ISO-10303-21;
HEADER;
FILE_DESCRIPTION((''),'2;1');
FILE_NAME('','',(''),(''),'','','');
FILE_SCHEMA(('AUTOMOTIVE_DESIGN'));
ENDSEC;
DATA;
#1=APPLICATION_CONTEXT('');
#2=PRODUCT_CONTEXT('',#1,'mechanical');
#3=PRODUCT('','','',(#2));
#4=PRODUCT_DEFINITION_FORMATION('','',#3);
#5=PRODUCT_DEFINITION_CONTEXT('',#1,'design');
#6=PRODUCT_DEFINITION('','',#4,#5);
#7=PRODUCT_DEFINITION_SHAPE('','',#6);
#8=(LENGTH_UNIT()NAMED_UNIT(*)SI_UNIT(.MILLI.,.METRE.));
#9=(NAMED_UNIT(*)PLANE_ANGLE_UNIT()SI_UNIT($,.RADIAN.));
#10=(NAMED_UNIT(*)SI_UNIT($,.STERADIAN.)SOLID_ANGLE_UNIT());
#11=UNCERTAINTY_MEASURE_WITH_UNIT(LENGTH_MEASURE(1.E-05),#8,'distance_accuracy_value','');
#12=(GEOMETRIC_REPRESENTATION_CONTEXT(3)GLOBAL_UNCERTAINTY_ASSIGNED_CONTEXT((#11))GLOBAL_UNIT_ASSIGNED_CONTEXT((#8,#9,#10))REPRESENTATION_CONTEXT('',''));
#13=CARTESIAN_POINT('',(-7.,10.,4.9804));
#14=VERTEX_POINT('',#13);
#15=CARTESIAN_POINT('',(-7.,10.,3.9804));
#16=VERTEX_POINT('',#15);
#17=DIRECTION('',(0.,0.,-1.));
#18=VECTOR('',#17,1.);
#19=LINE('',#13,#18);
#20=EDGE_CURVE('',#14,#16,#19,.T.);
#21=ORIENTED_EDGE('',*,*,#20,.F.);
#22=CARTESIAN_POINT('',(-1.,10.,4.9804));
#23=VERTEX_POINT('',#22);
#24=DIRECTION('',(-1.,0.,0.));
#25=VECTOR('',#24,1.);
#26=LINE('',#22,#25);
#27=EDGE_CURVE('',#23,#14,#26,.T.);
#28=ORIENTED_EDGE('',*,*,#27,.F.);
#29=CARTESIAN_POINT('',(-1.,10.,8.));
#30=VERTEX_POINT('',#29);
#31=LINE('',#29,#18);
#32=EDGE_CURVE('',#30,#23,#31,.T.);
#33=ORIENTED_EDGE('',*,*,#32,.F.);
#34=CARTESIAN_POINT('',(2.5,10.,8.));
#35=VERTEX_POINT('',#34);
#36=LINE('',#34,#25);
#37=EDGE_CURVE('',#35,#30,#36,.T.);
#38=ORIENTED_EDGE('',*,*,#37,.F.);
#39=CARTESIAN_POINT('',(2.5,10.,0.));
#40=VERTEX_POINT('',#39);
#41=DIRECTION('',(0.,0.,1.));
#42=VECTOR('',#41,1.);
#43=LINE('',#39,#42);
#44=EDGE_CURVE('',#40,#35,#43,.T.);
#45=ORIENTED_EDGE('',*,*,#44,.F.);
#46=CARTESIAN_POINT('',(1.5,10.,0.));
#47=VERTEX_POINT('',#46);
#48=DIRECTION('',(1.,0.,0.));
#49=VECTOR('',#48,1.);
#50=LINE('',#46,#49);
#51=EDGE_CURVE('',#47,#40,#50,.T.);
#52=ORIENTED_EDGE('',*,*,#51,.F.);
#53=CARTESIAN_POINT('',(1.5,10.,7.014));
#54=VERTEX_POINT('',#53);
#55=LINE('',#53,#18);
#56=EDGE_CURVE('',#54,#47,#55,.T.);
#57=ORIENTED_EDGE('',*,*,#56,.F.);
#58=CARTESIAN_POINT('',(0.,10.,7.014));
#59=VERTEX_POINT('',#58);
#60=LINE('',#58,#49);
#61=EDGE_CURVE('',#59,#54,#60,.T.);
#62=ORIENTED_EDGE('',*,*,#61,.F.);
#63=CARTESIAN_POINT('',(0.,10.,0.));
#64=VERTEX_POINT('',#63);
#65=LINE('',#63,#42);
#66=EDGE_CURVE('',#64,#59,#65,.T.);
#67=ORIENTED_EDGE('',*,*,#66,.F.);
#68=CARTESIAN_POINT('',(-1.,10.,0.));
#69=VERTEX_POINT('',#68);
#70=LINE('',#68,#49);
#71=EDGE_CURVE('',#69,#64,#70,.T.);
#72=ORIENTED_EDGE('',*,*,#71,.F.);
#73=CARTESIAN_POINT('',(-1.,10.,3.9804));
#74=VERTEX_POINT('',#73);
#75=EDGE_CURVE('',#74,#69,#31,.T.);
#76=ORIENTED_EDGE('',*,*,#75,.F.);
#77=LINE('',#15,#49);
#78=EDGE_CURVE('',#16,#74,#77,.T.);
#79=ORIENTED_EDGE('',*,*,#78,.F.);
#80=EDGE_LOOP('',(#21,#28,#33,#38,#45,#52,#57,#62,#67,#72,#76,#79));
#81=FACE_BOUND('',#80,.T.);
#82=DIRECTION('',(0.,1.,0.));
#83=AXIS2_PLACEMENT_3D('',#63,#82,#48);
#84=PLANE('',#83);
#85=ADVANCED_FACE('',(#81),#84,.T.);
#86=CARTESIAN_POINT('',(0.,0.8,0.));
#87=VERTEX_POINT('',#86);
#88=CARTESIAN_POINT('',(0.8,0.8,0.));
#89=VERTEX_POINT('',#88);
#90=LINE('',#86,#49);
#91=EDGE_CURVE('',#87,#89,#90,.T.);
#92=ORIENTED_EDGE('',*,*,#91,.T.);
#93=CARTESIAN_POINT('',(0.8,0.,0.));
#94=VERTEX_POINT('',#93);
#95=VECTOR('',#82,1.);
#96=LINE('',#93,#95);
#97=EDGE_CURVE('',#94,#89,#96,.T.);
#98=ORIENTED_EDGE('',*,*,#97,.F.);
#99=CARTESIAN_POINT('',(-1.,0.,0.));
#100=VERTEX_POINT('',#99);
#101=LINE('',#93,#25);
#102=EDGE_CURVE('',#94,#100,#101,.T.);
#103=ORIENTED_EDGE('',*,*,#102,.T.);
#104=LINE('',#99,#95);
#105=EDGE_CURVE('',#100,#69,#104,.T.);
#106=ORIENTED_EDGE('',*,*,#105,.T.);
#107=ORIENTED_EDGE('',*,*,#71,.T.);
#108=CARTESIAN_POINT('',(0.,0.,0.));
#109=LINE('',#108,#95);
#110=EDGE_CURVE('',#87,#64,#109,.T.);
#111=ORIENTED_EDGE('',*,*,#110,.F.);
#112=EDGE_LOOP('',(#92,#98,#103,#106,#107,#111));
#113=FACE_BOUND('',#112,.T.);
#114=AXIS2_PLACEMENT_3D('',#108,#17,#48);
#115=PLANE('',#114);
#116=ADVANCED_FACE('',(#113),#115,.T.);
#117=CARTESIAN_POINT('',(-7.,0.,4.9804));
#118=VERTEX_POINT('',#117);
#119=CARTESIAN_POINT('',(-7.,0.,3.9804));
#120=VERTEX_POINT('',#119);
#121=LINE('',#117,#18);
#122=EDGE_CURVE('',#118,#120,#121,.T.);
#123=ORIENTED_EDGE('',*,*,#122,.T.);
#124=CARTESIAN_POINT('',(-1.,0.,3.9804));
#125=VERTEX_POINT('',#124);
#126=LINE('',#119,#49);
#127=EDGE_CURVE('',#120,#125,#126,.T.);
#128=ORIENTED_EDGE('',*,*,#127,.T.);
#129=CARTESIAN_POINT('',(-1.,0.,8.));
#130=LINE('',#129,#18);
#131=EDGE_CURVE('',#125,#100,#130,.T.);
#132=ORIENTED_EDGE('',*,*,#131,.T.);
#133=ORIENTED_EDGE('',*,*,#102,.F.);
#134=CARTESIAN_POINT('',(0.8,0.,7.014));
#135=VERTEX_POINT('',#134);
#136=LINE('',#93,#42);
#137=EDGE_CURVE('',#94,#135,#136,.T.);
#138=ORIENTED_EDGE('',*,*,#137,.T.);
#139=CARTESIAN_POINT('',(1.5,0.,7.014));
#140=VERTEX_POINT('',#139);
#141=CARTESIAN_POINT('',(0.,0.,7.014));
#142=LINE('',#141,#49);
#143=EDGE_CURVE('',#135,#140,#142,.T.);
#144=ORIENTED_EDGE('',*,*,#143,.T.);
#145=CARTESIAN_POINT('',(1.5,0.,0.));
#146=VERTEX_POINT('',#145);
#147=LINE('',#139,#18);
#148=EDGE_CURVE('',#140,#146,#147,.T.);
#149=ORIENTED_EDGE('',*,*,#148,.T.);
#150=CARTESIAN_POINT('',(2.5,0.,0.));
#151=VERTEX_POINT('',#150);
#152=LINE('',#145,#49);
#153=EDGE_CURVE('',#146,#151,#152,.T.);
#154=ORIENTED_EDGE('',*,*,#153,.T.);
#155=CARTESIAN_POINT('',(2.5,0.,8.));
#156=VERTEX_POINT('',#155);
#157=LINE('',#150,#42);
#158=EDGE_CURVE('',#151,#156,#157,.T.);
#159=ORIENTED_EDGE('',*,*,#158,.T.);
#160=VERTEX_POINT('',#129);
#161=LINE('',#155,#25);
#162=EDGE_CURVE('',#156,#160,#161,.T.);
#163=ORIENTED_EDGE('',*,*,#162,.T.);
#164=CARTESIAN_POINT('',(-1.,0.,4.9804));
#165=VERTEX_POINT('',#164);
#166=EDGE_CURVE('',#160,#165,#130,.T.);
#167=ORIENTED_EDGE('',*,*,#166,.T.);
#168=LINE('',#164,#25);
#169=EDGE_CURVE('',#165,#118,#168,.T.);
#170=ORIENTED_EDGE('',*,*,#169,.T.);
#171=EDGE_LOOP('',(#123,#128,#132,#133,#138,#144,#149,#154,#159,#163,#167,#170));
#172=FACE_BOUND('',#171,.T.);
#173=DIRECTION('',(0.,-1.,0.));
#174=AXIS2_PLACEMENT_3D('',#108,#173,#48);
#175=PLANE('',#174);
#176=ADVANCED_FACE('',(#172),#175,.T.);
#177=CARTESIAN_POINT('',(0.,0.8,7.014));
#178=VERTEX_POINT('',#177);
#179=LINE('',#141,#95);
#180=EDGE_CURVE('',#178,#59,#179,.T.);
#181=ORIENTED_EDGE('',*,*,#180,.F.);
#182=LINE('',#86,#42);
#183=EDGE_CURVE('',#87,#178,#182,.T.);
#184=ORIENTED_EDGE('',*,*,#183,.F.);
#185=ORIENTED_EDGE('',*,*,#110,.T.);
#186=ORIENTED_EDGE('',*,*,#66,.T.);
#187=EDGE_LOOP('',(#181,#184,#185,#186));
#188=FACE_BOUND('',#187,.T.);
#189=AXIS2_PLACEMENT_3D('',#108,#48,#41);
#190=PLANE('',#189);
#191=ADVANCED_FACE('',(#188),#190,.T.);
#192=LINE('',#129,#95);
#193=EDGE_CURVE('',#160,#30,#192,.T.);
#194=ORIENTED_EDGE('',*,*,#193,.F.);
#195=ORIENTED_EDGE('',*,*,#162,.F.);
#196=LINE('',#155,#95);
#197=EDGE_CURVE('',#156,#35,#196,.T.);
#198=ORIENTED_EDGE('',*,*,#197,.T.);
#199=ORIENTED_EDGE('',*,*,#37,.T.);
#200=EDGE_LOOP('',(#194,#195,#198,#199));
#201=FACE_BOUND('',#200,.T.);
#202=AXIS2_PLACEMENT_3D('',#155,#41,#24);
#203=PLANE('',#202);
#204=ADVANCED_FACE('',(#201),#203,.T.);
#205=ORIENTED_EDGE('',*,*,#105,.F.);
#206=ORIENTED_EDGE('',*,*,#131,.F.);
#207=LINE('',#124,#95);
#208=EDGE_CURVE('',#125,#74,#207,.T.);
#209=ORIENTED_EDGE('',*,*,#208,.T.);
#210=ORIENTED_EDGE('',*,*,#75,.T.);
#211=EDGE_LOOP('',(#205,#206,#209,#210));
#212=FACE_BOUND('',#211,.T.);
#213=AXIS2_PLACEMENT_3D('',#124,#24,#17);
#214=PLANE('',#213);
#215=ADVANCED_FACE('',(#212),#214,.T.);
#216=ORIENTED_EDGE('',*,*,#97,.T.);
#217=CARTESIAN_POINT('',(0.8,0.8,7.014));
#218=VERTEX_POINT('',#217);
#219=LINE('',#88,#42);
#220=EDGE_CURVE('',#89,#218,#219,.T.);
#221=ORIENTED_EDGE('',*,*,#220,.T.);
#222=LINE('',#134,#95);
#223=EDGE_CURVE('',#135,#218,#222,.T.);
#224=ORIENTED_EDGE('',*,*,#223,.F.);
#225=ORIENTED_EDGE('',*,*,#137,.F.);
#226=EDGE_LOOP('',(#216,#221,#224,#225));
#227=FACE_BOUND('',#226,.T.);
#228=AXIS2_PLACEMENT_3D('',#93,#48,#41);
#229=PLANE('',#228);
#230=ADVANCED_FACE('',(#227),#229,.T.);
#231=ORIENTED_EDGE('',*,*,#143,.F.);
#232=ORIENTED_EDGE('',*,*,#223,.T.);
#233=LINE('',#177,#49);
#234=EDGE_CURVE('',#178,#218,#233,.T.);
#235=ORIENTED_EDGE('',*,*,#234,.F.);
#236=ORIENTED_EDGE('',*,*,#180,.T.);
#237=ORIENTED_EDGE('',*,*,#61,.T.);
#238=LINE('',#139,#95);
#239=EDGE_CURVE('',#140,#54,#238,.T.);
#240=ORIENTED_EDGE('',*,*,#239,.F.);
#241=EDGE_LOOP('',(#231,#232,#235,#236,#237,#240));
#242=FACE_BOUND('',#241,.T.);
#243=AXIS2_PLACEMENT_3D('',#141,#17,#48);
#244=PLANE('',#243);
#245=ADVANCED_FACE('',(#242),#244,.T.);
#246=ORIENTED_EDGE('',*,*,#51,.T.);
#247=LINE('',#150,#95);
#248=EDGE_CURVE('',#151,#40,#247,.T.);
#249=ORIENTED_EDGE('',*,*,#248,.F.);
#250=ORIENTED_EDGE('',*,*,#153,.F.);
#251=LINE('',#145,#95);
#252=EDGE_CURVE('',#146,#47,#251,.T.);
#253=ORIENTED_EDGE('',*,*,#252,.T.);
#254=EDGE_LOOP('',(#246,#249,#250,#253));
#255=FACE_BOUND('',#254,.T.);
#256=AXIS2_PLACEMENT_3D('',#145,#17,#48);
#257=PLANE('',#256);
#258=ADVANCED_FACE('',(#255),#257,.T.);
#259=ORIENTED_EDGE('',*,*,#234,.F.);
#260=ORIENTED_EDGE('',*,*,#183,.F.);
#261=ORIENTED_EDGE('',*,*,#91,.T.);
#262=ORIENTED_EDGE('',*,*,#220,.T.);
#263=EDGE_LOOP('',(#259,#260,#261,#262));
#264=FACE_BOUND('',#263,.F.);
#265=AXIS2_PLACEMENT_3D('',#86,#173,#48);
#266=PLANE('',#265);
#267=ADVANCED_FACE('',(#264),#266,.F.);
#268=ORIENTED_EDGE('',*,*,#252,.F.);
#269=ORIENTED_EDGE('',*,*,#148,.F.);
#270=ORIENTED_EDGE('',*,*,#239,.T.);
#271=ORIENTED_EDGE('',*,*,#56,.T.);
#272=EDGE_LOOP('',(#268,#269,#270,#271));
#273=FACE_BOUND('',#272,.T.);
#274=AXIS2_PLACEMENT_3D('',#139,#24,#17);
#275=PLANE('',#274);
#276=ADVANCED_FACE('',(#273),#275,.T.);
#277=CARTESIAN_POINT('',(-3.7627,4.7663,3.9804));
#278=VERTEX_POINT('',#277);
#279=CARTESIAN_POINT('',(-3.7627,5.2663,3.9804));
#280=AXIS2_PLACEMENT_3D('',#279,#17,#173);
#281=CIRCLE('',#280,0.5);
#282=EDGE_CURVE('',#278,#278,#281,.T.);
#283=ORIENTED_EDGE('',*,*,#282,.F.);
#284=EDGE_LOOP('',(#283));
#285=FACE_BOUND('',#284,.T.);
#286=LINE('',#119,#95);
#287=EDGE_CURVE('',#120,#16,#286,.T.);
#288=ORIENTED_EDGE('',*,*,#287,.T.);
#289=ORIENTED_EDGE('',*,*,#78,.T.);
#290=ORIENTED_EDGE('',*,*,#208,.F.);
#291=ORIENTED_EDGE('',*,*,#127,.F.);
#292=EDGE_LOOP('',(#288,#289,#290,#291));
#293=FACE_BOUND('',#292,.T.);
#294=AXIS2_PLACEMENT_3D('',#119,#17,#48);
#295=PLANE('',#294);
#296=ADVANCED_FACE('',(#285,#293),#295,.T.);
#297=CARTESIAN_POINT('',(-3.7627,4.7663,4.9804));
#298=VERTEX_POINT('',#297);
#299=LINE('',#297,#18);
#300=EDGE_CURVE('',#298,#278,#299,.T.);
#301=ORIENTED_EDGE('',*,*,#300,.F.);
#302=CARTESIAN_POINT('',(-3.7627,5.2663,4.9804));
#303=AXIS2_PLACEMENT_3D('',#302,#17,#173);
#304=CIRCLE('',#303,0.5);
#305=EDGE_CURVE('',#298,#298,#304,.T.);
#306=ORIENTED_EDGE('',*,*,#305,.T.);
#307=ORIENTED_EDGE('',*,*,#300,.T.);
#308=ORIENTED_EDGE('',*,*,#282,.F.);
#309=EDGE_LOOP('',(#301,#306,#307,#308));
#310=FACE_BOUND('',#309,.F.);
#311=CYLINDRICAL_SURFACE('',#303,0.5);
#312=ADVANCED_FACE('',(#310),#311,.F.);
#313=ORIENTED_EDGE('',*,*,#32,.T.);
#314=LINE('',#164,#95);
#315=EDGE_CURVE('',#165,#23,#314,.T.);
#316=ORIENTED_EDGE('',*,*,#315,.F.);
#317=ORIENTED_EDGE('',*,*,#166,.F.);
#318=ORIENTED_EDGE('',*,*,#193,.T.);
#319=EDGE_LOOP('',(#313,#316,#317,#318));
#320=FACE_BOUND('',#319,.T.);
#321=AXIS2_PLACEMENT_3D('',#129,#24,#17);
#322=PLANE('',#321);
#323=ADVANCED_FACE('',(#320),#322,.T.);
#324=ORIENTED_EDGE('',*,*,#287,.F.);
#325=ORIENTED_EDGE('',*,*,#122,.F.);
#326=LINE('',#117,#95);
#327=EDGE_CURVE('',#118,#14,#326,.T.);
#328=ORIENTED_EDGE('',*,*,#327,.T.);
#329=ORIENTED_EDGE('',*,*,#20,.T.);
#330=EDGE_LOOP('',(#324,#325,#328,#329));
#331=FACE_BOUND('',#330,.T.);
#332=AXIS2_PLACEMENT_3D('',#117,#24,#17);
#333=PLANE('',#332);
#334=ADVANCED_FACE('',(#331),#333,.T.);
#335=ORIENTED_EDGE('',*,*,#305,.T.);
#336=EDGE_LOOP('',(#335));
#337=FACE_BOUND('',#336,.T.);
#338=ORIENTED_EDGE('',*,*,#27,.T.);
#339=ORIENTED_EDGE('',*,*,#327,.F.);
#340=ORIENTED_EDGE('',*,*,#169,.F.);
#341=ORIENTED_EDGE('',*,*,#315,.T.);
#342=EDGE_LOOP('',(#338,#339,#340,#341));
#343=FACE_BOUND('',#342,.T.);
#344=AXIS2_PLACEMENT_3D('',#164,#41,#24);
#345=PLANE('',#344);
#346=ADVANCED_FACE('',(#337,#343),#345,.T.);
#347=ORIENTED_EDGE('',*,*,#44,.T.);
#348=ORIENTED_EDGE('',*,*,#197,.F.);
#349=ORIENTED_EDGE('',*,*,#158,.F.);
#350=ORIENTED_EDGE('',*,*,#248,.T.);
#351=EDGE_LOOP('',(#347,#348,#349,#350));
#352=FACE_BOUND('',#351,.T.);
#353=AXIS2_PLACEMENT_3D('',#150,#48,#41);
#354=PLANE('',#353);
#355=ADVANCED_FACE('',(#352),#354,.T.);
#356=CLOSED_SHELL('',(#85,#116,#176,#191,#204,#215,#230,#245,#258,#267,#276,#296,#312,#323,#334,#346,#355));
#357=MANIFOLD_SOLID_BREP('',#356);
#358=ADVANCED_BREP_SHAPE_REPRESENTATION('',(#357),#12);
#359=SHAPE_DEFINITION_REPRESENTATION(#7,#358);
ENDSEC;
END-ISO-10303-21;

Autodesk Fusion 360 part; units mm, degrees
sketch "Sketch1" plane through (0, 0, 0) normal (0, 1, 0) x (1, 0, 0) in component "Limit Interrupter"
  line L0 (0, 0) -> (0, -7.014)
  line L1 (0, -7.014) -> (1.5, -7.014)
  line L2 (1.5, -7.014) -> (1.5, 0)
  line L3 (1.5, 0) -> (2.5, 0)
  line L4 (2.5, 0) -> (2.5, -8)
  line L5 (2.5, -8) -> (-1, -8)
  line L6 (-1, -8) -> (-1, 0)
  line L7 (-1, 0) -> (0, 0)
  line L8 (-1, -4.9804) -> (-7, -4.9804)
  line L9 (-7, -4.9804) -> (-7, -3.9804)
  line L10 (-7, -3.9804) -> (-1, -3.9804)
  dimension "d1" = 1
  dimension "d2" = 3.5
  dimension "d3" = 1.5
  dimension "d4" = 6
  dimension "d5" = 1
  dimension "d6" = 8
  dimension "d7" = 8
extrude "Extrude1" add sketch "Sketch1" along normal blind 10 in component "Limit Interrupter"
hole "Hole1" at (-3.7627, 5.2663, 4.9804) direction (0, 0, -1) diameter 1 depth 2 tip angle 118 in component "Limit Interrupter"
sketch "Sketch1 (2)" plane through (0, 0, 0) normal (0, -1, 0) x (1, 0, 0)
  line L0 (-7, 4.9804) -> (-7, 3.9804)
  line L1 (-7, 3.9804) -> (-1, 3.9804)
  line L2 (-1, 3.9804) -> (-1, 0)
  line L3 (-1, 0) -> (0, 0)
  line L4 (0, 0) -> (0, 7.014)
  line L5 (0, 7.014) -> (1.5, 7.014)
  line L6 (1.5, 7.014) -> (1.5, 0)
  line L7 (1.5, 0) -> (2.5, 0)
  line L8 (2.5, 0) -> (2.5, 8)
  line L9 (2.5, 8) -> (-1, 8)
  line L10 (-1, 8) -> (-1, 4.9804)
  line L11 (-1, 4.9804) -> (-7, 4.9804)
  line L12 (0, 0) -> (0.8, 0)
  line L13 (0.8, 0) -> (0.8, 7.014)
  line L14 (0.8, 7.014) -> (0, 7.014)
  dimension "d13" = 0.8
  dimension "d14" = 7.014
extrude "Extrude2" add sketch "Sketch1 (2)" against normal blind 0.8 contours L4 L5 L12 L13 L14 in component "Limit Interrupter"
component "Limit Interrupter" placed x (1, 0, 0) y (0, 1, 0) z (0, 0, 1) at (0, 0, 0)
